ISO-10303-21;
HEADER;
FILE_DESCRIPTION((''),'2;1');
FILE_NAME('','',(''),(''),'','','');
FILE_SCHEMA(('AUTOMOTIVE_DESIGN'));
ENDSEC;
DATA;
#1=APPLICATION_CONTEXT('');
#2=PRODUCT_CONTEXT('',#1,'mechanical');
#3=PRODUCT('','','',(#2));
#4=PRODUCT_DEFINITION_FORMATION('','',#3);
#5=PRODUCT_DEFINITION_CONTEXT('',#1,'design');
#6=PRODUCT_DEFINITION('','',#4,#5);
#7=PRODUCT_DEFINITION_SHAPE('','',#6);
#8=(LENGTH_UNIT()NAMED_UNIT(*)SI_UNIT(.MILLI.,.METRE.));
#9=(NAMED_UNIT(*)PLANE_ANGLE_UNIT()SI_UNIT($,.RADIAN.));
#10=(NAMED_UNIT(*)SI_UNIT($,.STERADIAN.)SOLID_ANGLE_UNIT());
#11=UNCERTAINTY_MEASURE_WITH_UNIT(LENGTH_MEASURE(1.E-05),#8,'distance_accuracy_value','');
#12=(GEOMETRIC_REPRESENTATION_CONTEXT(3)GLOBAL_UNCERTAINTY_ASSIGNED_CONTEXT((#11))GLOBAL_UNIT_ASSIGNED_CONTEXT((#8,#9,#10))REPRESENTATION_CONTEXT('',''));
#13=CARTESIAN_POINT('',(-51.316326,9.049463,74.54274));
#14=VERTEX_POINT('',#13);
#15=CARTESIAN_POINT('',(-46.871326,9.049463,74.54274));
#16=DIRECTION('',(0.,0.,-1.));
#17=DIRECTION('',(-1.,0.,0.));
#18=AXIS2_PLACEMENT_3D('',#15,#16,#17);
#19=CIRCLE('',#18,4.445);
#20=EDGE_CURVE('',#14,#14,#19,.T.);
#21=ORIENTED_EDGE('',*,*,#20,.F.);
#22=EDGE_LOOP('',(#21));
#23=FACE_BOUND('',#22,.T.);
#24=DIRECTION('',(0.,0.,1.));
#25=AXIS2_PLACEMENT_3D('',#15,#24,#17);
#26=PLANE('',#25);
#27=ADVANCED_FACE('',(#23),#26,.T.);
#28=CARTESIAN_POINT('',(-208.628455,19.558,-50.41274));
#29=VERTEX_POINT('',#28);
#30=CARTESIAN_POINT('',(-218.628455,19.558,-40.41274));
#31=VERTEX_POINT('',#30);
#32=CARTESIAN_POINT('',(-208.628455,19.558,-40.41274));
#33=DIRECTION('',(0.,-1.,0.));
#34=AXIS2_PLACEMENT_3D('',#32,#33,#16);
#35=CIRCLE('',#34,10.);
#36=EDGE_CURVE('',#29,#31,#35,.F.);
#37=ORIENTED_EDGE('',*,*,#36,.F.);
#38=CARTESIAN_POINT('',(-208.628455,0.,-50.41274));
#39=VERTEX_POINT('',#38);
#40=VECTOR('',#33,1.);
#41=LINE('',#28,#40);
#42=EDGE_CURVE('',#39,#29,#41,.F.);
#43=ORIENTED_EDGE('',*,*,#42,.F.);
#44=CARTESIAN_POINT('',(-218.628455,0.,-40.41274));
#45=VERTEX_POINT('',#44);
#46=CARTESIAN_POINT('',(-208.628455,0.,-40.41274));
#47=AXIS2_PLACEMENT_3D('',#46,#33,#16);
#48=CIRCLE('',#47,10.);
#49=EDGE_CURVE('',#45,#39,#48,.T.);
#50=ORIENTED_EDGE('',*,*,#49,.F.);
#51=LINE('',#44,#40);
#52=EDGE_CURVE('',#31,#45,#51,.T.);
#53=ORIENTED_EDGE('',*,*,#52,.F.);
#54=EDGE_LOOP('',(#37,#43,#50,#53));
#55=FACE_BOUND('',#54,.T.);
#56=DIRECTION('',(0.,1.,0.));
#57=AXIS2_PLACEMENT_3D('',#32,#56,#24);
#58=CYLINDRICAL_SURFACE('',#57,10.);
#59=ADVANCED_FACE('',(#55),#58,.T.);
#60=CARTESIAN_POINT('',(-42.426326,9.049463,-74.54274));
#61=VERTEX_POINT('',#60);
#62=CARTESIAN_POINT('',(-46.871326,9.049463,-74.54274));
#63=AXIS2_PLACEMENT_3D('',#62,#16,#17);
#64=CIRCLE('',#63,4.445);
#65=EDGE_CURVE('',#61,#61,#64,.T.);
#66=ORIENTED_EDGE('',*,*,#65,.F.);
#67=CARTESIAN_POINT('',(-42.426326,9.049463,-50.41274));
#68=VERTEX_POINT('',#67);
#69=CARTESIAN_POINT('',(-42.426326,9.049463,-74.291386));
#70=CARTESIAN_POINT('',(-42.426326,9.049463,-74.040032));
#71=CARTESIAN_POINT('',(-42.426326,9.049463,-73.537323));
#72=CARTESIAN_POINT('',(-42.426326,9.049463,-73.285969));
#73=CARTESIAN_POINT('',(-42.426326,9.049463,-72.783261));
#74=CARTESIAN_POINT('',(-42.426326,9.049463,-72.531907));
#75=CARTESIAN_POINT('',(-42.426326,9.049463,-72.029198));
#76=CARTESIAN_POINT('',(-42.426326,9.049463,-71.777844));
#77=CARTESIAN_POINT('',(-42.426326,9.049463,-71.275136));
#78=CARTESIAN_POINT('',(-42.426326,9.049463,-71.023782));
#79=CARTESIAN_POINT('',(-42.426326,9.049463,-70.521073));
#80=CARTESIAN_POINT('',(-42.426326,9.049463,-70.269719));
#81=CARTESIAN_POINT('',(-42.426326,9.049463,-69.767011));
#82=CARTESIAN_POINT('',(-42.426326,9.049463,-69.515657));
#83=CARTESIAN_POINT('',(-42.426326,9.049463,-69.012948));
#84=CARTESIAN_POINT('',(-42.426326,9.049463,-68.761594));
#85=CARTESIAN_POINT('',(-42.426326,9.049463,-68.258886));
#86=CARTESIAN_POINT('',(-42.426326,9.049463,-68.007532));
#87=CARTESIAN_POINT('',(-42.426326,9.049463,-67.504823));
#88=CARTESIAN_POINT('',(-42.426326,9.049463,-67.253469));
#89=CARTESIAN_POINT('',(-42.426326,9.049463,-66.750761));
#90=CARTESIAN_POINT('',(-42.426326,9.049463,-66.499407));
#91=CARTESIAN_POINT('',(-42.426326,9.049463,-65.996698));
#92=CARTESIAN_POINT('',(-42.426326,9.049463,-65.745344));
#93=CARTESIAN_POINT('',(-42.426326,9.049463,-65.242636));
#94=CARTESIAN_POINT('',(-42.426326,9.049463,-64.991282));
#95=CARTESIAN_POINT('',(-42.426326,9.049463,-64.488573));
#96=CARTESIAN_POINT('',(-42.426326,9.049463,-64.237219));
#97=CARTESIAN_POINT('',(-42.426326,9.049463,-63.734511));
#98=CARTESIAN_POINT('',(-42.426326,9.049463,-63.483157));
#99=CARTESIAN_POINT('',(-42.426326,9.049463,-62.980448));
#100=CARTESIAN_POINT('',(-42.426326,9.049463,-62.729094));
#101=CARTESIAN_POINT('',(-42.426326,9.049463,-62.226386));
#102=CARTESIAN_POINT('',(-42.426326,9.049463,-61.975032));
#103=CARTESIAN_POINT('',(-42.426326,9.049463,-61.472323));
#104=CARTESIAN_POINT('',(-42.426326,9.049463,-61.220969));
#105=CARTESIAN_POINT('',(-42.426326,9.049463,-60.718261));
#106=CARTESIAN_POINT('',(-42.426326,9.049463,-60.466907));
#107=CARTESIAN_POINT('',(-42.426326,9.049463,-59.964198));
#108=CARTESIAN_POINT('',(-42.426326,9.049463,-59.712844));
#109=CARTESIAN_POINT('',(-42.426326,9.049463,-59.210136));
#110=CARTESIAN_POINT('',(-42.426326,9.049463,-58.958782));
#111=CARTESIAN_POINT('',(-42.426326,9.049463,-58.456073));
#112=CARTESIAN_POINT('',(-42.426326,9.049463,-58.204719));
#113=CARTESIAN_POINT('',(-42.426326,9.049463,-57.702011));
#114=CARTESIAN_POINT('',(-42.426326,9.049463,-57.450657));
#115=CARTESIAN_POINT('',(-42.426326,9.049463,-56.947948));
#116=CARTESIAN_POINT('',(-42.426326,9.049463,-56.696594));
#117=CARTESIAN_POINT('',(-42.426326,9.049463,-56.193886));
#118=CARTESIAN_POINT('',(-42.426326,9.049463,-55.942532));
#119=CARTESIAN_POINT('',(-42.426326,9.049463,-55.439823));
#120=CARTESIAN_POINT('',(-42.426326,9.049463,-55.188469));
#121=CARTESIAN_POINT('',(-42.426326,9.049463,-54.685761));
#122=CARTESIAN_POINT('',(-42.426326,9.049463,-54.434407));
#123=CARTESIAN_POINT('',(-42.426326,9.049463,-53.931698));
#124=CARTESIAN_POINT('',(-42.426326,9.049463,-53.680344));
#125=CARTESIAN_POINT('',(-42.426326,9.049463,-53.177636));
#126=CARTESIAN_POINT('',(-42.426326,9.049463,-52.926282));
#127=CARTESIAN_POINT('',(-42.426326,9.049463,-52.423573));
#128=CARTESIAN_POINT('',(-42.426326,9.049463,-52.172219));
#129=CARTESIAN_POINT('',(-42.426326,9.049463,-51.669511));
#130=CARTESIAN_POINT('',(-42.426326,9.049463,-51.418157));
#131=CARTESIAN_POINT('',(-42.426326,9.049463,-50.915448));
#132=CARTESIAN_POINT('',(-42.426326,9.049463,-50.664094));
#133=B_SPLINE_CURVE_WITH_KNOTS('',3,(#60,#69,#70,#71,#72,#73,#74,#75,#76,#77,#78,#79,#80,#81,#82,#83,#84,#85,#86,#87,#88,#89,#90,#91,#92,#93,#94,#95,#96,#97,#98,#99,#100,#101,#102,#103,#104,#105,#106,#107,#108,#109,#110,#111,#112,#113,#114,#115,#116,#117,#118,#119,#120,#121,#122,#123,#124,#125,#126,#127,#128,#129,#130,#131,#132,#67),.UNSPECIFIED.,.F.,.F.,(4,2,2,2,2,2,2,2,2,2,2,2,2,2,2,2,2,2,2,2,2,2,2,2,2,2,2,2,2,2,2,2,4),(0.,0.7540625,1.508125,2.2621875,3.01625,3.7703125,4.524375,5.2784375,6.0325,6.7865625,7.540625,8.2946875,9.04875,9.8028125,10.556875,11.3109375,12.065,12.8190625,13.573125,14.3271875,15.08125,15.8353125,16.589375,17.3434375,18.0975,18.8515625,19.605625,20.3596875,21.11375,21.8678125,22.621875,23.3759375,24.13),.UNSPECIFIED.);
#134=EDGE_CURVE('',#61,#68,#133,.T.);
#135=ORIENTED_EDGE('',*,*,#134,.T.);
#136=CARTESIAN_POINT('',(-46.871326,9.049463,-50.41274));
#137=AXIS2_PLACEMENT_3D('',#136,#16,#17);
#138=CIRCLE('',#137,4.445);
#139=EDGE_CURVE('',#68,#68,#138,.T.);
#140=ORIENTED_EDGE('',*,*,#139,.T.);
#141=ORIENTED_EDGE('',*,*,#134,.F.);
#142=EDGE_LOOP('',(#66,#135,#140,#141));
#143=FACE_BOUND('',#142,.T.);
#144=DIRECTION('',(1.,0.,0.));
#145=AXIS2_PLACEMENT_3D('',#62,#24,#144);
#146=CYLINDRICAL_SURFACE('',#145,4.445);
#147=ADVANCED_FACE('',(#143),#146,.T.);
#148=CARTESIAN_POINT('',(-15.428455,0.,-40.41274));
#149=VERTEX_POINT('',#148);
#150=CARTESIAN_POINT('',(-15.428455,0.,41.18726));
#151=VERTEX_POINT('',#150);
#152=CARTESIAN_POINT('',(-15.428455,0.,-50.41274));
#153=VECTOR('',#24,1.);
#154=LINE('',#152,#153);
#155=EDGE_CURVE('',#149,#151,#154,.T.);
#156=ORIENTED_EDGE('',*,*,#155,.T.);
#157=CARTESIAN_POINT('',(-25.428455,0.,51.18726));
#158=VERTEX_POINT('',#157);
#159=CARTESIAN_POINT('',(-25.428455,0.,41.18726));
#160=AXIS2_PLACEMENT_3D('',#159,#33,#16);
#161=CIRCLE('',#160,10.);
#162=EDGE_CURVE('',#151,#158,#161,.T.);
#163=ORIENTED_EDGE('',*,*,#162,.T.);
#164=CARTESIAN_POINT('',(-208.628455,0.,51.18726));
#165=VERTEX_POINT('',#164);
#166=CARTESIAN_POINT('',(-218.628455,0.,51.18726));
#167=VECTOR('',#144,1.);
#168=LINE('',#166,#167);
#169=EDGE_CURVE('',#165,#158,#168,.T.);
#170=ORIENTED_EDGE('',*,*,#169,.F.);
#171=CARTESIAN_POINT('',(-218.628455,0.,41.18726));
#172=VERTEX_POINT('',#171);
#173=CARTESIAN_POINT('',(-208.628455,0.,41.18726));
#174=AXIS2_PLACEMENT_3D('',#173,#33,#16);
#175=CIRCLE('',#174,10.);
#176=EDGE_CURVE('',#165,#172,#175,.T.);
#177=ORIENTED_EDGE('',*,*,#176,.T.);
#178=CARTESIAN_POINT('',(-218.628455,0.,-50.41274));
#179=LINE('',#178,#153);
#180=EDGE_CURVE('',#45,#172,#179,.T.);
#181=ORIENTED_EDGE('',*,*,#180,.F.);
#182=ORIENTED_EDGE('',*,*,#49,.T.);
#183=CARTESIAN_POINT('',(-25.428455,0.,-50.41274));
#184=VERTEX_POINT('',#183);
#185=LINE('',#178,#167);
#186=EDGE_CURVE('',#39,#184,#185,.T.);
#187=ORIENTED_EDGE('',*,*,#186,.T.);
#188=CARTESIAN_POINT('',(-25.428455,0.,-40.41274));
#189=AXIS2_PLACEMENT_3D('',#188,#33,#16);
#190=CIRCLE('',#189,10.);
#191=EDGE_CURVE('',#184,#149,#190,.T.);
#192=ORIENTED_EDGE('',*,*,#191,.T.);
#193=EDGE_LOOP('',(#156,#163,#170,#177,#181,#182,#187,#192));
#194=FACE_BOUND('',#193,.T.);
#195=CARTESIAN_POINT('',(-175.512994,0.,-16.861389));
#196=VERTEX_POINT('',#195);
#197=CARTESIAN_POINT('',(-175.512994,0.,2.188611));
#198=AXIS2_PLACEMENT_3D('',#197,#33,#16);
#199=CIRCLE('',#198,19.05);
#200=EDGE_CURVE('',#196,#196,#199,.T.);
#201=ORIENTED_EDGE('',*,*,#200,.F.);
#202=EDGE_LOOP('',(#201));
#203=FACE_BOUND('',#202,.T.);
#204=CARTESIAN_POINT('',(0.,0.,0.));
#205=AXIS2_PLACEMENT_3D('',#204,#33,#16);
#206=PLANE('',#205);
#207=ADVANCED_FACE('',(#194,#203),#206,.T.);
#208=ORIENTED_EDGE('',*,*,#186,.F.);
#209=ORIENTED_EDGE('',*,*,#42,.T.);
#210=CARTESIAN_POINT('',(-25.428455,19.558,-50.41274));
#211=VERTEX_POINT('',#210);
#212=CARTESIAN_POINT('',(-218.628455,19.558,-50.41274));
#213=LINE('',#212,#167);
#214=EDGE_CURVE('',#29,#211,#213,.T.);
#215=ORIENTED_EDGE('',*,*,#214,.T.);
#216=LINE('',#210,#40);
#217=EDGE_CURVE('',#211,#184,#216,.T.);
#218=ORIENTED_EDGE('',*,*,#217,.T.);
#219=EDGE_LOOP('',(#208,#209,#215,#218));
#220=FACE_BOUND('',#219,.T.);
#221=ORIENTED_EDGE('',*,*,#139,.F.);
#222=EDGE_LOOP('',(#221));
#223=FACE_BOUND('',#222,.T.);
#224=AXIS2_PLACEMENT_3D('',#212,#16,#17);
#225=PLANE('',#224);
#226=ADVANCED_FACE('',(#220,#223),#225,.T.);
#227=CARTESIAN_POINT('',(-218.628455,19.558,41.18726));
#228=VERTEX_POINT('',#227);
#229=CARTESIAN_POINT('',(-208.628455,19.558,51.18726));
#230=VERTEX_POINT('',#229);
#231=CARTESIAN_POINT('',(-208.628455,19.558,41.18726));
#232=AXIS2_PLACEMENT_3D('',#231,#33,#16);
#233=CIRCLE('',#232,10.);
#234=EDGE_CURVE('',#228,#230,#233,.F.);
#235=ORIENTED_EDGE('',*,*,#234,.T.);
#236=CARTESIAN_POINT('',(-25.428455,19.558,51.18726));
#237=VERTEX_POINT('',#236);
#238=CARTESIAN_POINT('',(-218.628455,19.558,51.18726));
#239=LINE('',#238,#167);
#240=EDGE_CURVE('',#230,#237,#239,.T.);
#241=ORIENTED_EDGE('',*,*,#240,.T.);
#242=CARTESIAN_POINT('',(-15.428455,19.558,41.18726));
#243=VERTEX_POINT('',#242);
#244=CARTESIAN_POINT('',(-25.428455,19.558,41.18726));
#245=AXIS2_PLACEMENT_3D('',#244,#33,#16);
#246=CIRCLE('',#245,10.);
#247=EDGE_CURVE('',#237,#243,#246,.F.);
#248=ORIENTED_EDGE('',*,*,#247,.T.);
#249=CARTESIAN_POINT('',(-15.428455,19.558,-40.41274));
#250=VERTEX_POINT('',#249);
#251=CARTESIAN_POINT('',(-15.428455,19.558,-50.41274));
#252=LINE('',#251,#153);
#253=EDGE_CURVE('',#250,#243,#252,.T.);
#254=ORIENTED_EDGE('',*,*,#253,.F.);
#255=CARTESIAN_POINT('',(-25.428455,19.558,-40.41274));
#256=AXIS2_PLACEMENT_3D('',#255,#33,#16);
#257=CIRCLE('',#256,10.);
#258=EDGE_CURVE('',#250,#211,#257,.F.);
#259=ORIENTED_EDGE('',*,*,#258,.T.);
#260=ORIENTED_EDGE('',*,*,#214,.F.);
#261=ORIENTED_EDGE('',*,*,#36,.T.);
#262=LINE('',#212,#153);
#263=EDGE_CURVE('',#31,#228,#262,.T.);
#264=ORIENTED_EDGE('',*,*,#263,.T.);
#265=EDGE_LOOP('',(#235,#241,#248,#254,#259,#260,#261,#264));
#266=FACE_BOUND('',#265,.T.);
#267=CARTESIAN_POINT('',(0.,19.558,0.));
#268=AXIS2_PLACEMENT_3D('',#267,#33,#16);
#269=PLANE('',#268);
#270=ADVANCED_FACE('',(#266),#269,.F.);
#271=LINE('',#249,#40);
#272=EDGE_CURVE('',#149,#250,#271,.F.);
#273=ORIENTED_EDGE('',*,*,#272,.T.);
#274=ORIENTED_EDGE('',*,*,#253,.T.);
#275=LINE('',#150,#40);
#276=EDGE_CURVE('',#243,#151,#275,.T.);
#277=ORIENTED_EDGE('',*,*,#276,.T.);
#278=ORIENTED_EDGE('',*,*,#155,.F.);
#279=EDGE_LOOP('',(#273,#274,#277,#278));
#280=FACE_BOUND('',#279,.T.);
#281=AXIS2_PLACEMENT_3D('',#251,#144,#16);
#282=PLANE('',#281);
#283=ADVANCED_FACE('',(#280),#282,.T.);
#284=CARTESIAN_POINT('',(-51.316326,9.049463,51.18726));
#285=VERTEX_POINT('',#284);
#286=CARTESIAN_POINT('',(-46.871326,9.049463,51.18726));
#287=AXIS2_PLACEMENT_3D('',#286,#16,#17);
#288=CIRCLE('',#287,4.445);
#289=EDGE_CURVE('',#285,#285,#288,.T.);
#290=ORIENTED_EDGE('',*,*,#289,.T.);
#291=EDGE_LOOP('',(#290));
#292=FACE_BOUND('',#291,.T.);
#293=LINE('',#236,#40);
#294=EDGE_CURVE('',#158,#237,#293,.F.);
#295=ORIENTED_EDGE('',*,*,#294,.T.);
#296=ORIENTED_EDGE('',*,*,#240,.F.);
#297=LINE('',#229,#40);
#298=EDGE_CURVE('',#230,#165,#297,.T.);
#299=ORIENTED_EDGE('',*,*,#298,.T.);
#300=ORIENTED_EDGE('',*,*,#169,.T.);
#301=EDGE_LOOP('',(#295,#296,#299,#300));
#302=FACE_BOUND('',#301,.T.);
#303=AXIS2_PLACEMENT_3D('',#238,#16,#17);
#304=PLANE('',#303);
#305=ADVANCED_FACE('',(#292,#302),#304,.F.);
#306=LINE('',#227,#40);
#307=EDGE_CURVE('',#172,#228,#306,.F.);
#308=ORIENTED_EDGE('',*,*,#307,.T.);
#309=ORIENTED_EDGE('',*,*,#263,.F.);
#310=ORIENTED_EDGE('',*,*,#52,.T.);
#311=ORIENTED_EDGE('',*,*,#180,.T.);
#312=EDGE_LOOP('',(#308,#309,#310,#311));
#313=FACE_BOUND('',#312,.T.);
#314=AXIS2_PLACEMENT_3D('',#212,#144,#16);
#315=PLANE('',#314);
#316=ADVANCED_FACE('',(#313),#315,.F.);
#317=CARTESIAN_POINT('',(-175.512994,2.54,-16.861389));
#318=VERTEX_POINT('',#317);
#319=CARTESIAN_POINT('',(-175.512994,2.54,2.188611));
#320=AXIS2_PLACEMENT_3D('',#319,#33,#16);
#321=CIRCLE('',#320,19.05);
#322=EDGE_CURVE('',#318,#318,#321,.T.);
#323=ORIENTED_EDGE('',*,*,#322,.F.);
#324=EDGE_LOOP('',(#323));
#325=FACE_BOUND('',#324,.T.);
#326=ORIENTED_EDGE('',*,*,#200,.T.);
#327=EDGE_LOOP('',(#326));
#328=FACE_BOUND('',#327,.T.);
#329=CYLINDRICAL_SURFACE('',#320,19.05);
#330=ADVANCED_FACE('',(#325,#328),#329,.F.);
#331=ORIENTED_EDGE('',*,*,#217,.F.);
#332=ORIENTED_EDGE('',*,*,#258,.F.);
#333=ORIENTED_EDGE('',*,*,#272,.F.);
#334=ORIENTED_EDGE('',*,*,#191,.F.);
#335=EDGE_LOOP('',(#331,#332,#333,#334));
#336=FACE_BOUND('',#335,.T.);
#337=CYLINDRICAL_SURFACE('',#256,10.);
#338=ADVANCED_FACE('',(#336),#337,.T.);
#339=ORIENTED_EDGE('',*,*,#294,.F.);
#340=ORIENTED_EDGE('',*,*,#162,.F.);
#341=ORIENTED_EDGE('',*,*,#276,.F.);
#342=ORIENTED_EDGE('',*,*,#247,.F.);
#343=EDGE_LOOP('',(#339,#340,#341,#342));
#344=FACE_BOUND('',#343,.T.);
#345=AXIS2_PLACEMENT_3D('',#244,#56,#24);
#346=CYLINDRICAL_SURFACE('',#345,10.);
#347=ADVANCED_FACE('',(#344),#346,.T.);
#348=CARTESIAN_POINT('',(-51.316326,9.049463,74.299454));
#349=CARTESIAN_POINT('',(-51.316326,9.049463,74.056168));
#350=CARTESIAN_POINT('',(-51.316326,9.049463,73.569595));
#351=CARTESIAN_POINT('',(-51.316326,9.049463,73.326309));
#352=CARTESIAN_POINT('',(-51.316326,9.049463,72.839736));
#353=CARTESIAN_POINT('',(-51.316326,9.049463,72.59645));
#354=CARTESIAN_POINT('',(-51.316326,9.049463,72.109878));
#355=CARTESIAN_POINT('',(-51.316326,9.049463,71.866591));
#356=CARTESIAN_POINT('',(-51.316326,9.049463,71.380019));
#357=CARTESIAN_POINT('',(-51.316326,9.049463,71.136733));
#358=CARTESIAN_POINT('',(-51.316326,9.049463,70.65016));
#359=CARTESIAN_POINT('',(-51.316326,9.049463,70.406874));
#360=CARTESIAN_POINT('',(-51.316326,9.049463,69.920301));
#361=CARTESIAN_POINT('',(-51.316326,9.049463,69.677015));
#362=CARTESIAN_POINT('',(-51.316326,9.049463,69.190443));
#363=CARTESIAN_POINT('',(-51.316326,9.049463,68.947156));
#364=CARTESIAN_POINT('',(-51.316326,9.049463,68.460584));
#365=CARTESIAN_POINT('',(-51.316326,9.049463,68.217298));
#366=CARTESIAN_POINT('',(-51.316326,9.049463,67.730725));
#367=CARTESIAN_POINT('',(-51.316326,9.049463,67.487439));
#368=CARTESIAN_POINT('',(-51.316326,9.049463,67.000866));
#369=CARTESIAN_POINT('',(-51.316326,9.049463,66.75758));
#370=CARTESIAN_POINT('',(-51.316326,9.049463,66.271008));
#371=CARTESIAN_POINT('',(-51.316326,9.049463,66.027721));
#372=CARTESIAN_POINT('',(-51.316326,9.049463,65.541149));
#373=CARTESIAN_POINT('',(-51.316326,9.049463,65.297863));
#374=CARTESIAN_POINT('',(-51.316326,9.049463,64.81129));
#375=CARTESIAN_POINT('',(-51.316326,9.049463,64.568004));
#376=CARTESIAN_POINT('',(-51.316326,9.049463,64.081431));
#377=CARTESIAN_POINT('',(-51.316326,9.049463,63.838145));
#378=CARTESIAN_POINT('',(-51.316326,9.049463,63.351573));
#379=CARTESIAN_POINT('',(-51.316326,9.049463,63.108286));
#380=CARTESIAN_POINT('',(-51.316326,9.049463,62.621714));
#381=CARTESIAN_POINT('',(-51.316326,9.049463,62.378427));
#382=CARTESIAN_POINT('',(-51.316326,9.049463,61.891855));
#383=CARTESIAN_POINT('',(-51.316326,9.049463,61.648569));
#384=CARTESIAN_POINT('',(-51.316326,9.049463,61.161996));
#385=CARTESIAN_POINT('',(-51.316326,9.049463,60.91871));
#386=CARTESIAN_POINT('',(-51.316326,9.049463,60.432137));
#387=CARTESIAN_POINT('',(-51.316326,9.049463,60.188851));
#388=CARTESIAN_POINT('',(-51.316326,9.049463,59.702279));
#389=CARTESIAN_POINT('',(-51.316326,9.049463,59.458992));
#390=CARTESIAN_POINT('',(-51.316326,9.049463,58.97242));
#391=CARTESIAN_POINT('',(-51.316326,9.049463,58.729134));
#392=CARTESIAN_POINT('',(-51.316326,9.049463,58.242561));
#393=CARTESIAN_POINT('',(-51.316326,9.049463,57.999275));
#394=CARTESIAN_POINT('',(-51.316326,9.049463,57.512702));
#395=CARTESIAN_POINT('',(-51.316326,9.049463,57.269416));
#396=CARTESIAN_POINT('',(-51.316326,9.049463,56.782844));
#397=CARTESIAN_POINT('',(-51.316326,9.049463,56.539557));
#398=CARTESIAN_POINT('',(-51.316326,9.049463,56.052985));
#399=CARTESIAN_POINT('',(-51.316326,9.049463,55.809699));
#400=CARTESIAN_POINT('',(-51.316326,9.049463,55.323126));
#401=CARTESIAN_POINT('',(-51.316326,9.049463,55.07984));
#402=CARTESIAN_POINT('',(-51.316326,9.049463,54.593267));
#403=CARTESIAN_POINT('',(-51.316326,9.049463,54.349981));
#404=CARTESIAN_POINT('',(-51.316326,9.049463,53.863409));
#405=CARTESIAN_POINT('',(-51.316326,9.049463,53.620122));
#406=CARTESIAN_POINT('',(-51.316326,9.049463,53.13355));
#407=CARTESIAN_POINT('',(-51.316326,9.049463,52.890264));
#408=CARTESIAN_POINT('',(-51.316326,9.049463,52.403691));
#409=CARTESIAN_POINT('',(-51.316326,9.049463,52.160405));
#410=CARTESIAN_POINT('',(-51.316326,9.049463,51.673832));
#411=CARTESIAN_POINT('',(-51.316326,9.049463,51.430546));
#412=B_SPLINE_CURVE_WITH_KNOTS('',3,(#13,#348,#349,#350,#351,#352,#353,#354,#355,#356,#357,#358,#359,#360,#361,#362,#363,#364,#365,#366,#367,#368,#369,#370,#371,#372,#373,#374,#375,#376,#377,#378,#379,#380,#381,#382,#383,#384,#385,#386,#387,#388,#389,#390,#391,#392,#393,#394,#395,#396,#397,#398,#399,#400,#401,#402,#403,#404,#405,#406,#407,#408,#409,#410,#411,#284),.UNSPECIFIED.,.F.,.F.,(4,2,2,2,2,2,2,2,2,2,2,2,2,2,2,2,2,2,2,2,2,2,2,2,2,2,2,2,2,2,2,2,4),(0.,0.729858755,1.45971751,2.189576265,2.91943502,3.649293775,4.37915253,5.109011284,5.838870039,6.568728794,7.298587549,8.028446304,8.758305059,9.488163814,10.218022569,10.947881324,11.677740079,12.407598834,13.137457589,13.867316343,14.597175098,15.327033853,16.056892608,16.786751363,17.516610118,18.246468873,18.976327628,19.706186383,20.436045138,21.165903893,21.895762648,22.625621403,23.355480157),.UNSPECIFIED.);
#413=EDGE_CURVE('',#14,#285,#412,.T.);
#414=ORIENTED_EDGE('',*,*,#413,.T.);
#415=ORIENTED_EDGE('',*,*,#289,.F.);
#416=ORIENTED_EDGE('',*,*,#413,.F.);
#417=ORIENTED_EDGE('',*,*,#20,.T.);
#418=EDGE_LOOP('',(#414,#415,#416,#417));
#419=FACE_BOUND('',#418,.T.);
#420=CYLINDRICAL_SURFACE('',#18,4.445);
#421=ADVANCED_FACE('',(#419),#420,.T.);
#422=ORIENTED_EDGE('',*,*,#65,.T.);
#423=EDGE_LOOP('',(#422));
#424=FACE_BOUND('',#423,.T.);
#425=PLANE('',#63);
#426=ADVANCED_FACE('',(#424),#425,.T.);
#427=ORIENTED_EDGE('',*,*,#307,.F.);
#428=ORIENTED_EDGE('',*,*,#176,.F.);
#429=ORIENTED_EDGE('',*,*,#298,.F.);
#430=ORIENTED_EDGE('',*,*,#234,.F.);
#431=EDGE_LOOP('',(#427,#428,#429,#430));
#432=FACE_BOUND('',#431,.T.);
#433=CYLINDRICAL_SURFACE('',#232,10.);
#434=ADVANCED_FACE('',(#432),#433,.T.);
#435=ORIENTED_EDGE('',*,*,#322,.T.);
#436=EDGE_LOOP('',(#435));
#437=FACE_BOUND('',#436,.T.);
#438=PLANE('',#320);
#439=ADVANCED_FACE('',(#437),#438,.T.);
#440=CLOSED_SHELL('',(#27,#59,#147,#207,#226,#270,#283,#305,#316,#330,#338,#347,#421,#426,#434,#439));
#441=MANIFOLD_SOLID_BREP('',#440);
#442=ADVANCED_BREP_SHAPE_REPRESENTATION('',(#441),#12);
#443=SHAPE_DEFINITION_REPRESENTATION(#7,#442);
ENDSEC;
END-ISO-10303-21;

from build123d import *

# Parameters (mm, degrees)
SKETCH2_W           = 203.2
SKETCH2_H           = 101.6
BOSS_EXTRUDE1_DEPTH = 19.558
FILLET1_R           = 10
FILLET2_R           = 10
FILLET3_R           = 10
FILLET4_R           = 10
SKETCH3_R           = 4.445
BOSS_EXTRUDE3_DEPTH = 24.13
SKETCH4_R           = 19.05
CUT_EXTRUDE1_DEPTH  = 2.54


with BuildPart() as part:
    # Sketch2 → Boss-Extrude1 (new body)
    with BuildSketch(Plane(origin=(-97.482495003, 0, 34.735141898), x_dir=(1, 0, 0), z_dir=(0, 1, 0))):
        with Locations((-19.545959724, 34.347881976)):
            Rectangle(SKETCH2_W, SKETCH2_H)
    extrude(amount=BOSS_EXTRUDE1_DEPTH)

    # Fillet1
    fillet1_edges = [part.edges().sort_by_distance(p)[0] for p in [
        (-15.428454726, 9.779, 51.187259921),
    ]]
    fillet(fillet1_edges, radius=FILLET1_R)

    # Fillet2
    fillet2_edges = [part.edges().sort_by_distance(p)[0] for p in [
        (-218.628454726, 9.779, -50.412740079),
    ]]
    fillet(fillet2_edges, radius=FILLET2_R)

    # Fillet3
    fillet3_edges = [part.edges().sort_by_distance(p)[0] for p in [
        (-218.628454726, 9.779, 51.187259921),
    ]]
    fillet(fillet3_edges, radius=FILLET3_R)

    # Fillet4
    fillet4_edges = [part.edges().sort_by_distance(p)[0] for p in [
        (-15.428454726, 9.779, -50.412740079),
    ]]
    fillet(fillet4_edges, radius=FILLET4_R)

    # Sketch3 → Boss-Extrude3 (add)
    with BuildSketch(Plane(origin=(0, 0, -50.412740079), x_dir=(-1, 0, 0), z_dir=(0, 0, -1))):
        with Locations(Location((46.871325594, 9.049463129, 0), (0, 0, 180))):
            Circle(SKETCH3_R)
    boss_extrude3 = extrude(amount=BOSS_EXTRUDE3_DEPTH)

    # Mirror2: Boss-Extrude3 across plane
    add(boss_extrude3.mirror(Plane.XY))

    # Sketch4 → Cut-Extrude1 (cut)
    with BuildSketch(Plane.XZ):
        with Locations(Location((-175.512993917, 2.188610614, 0), (0, 0, 270))):
            Circle(SKETCH4_R)
    extrude(amount=-CUT_EXTRUDE1_DEPTH, mode=Mode.SUBTRACT)


solid = part.part
